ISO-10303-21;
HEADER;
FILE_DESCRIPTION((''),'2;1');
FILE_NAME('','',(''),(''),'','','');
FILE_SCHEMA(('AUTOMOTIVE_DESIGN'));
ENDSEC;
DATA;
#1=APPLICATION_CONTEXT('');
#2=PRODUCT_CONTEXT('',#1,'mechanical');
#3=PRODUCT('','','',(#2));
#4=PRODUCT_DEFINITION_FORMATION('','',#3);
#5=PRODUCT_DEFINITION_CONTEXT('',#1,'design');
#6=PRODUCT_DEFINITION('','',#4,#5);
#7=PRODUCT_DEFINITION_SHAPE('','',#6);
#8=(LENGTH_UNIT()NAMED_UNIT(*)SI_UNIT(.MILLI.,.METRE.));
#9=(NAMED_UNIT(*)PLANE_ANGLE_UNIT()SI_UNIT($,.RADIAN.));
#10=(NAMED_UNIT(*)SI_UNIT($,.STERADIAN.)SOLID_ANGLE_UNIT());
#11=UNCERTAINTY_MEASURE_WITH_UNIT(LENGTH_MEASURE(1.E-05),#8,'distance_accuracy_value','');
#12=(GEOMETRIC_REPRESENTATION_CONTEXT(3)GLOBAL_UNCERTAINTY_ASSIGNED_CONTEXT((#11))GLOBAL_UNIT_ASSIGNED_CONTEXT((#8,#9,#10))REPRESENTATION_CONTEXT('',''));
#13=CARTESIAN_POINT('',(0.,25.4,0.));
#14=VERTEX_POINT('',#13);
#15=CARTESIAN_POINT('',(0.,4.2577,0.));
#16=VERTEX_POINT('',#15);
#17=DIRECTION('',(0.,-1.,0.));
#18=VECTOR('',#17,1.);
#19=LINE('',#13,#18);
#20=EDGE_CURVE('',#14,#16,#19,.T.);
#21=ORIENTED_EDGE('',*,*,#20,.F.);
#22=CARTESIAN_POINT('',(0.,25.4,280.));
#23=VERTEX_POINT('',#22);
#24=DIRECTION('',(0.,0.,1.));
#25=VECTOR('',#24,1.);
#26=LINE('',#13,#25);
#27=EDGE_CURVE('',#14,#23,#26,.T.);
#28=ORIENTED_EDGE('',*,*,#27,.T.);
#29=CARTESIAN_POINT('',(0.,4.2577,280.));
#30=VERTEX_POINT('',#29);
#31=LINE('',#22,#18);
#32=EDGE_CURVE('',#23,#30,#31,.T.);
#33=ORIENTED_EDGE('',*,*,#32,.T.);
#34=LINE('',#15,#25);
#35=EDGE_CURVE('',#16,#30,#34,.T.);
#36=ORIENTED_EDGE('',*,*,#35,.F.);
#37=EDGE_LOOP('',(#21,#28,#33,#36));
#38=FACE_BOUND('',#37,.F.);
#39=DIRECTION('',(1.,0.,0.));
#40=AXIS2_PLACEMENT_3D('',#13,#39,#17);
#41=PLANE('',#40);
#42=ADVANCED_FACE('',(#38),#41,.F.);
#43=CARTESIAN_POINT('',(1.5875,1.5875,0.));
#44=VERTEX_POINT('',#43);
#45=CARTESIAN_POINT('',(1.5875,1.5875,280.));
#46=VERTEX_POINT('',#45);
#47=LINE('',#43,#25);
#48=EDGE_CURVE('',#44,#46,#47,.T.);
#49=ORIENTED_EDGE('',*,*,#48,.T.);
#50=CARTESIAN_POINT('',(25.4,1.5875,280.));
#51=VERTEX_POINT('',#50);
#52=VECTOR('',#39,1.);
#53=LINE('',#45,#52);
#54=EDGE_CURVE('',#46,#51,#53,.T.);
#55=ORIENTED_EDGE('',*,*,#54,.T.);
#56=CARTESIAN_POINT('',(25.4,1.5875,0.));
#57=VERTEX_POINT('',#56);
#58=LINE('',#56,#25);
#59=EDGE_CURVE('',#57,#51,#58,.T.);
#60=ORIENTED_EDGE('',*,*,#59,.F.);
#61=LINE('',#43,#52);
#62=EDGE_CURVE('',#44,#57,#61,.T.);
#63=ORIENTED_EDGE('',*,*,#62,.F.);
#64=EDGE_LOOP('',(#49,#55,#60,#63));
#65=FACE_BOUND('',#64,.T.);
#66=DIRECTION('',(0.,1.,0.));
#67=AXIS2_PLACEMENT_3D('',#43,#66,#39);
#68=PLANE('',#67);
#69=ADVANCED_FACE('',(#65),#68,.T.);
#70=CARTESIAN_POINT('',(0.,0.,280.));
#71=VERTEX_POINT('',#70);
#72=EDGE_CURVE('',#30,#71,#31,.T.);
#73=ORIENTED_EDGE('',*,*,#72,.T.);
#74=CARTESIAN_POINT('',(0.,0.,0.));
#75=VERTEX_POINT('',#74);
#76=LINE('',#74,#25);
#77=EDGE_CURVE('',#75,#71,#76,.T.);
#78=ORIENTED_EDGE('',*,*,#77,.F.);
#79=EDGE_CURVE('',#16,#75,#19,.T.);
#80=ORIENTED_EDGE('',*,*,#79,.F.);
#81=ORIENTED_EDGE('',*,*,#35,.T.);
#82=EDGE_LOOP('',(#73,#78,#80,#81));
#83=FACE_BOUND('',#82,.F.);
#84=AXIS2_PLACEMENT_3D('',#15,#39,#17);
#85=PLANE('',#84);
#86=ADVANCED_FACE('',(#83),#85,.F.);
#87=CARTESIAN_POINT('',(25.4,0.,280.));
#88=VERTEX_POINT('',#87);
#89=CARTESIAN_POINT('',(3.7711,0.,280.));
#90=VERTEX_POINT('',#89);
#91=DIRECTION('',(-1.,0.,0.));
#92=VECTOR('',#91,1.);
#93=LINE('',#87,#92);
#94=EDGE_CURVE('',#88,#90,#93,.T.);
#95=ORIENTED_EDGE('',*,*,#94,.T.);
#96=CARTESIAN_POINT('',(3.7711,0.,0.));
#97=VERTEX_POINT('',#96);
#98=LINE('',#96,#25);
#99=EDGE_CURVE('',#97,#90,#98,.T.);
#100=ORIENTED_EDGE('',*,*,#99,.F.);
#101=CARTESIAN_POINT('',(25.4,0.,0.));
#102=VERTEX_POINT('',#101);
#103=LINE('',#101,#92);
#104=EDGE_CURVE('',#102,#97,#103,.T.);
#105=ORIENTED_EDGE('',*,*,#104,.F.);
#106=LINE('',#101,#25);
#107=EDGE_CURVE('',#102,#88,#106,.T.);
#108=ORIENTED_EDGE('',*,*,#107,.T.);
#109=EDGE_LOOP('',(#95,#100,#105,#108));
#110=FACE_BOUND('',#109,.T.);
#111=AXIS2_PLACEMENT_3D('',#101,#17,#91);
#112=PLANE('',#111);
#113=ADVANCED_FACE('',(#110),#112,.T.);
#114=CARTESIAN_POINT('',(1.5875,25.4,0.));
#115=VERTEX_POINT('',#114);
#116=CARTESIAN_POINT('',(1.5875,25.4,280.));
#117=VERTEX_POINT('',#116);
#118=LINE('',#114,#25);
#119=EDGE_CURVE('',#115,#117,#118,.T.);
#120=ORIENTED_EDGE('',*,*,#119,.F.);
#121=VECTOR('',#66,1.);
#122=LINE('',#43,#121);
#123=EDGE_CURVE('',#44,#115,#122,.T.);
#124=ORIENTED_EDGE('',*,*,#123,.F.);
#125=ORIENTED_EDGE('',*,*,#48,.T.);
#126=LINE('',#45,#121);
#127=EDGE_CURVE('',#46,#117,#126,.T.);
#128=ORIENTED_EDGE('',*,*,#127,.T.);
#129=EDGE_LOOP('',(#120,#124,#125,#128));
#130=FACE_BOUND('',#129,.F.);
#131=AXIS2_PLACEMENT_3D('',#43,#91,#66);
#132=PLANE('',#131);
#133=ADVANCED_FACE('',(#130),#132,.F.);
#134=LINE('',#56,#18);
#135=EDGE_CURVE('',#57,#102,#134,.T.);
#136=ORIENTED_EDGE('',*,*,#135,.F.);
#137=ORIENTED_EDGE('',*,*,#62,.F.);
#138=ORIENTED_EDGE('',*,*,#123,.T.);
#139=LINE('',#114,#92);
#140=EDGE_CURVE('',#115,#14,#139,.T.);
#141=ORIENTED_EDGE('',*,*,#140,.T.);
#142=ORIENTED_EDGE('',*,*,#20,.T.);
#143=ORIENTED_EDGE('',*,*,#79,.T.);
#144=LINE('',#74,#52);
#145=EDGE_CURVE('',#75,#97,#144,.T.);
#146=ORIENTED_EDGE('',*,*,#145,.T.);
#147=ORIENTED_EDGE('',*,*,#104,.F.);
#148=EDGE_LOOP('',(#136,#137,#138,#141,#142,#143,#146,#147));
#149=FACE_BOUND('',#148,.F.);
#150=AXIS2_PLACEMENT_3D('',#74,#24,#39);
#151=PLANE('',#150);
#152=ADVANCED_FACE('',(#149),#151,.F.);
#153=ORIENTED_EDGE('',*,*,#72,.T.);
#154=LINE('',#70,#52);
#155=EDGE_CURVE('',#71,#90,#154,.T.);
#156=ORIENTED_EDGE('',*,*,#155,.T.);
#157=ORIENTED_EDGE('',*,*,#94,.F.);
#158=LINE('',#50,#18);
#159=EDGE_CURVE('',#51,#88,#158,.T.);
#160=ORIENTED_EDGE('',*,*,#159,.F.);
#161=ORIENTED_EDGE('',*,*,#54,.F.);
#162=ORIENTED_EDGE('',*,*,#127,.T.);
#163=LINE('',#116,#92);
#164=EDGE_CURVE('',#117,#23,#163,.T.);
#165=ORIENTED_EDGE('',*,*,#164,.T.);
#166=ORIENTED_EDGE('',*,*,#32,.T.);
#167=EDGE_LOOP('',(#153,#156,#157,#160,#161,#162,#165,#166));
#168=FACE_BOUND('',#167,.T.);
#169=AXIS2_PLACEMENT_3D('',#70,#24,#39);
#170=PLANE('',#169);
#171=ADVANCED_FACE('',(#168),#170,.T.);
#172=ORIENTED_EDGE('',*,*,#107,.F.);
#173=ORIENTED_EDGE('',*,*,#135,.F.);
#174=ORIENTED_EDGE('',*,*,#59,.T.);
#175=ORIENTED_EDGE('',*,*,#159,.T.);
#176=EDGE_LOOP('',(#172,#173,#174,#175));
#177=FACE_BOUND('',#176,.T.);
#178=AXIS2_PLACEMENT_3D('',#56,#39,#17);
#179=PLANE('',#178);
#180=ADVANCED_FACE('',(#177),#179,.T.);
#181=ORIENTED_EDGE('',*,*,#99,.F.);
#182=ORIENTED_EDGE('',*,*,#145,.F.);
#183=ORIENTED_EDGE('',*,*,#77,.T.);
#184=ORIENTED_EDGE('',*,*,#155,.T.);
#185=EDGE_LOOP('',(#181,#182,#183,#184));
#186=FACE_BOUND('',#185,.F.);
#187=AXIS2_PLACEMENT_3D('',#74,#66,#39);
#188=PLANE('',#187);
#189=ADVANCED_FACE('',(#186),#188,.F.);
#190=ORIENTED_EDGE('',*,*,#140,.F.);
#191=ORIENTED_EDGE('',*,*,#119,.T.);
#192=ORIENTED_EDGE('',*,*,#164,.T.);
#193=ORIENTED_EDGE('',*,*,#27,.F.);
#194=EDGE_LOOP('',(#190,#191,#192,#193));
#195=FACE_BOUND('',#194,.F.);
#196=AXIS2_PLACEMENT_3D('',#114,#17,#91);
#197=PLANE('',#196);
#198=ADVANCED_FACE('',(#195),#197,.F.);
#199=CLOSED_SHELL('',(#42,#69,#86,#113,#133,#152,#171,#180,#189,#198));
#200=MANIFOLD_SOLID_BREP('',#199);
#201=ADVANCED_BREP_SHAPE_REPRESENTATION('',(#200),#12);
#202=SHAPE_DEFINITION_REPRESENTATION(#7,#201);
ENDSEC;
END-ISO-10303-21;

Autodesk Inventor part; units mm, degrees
ref_plane "YZ Plane" through (0, 0, 0) normal (1, 0, 0) x (0, 1, 0)
ref_plane "XZ Plane" through (0, 0, 0) normal (0, 1, 0) x (-1, 0, 0)
ref_plane "XY Plane" through (0, 0, 0) normal (0, 0, 1) x (1, 0, 0)
sketch "Sketch1" plane through (0, 0, 0) normal (0, 0, 1) x (1, 0, 0)
  line L0 (0, 0) -> (3.7711, 0)
  line L1 (1.5875, 1.5875) -> (1.5875, 25.4)
  line L2 (1.5875, 25.4) -> (0, 25.4)
  line L3 (0, 25.4) -> (0, 0)
  line L4 (1.5875, 1.5875) -> (25.4, 1.5875)
  line L5 (25.4, 1.5875) -> (25.4, 0)
  line L6 (25.4, 0) -> (0, 0)
  line L7 (0, 0) -> (0, 4.2577)
  dimension "d0" = 25.4
  dimension "d1" = 25.4
  dimension "d2" = 1.5875
  dimension "d3" = 1.5875
extrude "Extrusion1" add sketch "Sketch1" along normal blind 280
properties part number "Lframe_350mm"
